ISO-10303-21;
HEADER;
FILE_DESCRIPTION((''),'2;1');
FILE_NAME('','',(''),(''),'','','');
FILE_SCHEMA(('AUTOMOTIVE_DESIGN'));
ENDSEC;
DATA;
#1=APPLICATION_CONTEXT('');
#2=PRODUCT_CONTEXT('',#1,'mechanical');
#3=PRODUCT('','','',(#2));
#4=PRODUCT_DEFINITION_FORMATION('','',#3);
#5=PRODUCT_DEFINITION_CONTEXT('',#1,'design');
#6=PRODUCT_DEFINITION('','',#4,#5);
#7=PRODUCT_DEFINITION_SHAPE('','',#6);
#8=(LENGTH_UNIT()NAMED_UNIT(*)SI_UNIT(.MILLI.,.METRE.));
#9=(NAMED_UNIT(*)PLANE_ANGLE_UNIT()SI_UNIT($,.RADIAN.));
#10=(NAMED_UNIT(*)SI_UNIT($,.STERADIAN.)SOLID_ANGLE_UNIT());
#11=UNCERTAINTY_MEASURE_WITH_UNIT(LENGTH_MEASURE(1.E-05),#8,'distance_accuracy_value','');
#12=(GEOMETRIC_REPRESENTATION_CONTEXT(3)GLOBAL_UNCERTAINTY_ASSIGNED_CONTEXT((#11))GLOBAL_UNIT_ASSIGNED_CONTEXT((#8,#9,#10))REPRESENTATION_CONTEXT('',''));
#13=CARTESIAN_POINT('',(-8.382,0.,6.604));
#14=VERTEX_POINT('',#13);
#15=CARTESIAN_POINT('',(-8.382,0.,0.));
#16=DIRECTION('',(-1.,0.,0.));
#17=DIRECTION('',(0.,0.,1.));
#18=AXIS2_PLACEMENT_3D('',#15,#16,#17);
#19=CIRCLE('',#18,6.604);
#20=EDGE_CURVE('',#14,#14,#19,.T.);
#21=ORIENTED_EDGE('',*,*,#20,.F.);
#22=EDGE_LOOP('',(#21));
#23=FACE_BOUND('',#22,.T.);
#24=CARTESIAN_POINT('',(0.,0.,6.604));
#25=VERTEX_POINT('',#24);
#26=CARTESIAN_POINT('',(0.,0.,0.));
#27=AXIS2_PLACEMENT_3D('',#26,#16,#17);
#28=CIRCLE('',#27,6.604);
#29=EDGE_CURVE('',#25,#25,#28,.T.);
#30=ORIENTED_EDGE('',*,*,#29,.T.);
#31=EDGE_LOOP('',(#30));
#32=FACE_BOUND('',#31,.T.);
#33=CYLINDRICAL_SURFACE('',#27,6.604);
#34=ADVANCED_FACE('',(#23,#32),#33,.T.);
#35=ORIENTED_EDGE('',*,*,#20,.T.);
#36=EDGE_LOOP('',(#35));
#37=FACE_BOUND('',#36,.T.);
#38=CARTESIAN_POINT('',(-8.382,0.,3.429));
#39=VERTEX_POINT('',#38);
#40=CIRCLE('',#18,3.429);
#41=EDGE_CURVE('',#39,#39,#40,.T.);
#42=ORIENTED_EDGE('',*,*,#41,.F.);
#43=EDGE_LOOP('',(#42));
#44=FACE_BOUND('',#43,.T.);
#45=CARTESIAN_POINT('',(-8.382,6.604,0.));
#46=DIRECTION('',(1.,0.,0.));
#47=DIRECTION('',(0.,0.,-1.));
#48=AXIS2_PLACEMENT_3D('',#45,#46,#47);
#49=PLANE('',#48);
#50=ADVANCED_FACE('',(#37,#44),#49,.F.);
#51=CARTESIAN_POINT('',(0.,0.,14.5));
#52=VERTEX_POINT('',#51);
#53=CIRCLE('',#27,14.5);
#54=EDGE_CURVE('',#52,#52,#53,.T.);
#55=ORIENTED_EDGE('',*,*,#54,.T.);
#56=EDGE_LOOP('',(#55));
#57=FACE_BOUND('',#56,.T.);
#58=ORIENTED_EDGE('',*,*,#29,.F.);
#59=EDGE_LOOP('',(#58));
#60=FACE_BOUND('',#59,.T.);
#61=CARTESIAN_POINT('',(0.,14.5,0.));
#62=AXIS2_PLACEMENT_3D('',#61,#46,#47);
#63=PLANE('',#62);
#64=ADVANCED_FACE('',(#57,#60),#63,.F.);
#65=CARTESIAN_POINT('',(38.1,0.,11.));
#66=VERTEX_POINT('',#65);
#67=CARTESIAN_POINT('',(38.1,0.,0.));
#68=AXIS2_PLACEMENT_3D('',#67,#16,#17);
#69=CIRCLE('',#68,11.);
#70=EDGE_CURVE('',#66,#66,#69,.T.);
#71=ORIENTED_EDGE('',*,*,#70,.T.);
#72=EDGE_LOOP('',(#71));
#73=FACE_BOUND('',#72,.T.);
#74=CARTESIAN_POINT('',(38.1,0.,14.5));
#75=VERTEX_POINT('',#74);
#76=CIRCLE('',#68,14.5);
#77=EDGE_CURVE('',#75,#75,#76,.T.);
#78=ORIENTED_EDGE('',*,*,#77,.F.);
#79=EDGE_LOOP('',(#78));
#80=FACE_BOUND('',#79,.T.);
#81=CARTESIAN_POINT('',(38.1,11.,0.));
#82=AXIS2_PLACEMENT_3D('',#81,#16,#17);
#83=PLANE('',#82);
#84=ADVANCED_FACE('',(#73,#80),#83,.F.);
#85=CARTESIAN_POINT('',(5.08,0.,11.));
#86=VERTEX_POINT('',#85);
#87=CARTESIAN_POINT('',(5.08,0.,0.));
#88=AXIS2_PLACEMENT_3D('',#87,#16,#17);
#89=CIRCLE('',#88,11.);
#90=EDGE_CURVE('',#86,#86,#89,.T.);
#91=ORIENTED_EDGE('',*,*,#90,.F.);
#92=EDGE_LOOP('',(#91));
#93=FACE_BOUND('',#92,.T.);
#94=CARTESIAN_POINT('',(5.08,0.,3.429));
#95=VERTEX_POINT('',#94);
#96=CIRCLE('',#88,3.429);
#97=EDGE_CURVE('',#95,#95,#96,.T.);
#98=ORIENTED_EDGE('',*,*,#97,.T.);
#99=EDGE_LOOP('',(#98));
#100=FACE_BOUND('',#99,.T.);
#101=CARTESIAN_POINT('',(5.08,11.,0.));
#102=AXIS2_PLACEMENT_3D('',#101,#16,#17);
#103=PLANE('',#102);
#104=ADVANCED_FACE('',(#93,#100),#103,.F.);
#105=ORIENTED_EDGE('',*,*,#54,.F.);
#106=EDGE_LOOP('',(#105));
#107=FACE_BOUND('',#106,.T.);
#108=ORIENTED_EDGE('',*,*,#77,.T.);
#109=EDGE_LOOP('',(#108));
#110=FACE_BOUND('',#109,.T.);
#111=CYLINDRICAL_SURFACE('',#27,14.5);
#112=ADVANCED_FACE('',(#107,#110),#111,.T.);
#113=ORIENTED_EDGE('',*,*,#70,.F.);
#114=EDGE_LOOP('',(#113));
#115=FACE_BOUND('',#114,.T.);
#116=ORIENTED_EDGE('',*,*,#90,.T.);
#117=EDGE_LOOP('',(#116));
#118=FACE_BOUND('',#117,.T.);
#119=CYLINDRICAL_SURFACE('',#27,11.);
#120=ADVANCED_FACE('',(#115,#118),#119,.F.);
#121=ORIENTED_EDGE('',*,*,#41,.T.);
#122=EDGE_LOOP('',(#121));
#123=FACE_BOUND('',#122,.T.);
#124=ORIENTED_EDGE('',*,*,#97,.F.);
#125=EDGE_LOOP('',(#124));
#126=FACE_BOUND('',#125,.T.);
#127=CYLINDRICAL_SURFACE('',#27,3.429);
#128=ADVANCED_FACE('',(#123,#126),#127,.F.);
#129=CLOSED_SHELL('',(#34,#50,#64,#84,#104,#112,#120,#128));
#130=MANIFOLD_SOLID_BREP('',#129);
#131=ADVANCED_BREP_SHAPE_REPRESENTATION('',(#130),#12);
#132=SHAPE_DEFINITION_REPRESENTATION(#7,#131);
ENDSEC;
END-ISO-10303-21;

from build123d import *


with BuildPart() as part:
    # Sketch1 → Revolve1 (revolve)
    with BuildSketch(Plane.XY):
        Polygon((38.1, 11), (38.1, 14.5), (0, 14.5), (0, 6.604), (-8.382, 6.604), (-8.382, 3.429), (5.08, 3.429), (5.08, 11), align=None)
    revolve(axis=Axis((0, 0, 0), (1, 0, 0)))


solid = part.part
